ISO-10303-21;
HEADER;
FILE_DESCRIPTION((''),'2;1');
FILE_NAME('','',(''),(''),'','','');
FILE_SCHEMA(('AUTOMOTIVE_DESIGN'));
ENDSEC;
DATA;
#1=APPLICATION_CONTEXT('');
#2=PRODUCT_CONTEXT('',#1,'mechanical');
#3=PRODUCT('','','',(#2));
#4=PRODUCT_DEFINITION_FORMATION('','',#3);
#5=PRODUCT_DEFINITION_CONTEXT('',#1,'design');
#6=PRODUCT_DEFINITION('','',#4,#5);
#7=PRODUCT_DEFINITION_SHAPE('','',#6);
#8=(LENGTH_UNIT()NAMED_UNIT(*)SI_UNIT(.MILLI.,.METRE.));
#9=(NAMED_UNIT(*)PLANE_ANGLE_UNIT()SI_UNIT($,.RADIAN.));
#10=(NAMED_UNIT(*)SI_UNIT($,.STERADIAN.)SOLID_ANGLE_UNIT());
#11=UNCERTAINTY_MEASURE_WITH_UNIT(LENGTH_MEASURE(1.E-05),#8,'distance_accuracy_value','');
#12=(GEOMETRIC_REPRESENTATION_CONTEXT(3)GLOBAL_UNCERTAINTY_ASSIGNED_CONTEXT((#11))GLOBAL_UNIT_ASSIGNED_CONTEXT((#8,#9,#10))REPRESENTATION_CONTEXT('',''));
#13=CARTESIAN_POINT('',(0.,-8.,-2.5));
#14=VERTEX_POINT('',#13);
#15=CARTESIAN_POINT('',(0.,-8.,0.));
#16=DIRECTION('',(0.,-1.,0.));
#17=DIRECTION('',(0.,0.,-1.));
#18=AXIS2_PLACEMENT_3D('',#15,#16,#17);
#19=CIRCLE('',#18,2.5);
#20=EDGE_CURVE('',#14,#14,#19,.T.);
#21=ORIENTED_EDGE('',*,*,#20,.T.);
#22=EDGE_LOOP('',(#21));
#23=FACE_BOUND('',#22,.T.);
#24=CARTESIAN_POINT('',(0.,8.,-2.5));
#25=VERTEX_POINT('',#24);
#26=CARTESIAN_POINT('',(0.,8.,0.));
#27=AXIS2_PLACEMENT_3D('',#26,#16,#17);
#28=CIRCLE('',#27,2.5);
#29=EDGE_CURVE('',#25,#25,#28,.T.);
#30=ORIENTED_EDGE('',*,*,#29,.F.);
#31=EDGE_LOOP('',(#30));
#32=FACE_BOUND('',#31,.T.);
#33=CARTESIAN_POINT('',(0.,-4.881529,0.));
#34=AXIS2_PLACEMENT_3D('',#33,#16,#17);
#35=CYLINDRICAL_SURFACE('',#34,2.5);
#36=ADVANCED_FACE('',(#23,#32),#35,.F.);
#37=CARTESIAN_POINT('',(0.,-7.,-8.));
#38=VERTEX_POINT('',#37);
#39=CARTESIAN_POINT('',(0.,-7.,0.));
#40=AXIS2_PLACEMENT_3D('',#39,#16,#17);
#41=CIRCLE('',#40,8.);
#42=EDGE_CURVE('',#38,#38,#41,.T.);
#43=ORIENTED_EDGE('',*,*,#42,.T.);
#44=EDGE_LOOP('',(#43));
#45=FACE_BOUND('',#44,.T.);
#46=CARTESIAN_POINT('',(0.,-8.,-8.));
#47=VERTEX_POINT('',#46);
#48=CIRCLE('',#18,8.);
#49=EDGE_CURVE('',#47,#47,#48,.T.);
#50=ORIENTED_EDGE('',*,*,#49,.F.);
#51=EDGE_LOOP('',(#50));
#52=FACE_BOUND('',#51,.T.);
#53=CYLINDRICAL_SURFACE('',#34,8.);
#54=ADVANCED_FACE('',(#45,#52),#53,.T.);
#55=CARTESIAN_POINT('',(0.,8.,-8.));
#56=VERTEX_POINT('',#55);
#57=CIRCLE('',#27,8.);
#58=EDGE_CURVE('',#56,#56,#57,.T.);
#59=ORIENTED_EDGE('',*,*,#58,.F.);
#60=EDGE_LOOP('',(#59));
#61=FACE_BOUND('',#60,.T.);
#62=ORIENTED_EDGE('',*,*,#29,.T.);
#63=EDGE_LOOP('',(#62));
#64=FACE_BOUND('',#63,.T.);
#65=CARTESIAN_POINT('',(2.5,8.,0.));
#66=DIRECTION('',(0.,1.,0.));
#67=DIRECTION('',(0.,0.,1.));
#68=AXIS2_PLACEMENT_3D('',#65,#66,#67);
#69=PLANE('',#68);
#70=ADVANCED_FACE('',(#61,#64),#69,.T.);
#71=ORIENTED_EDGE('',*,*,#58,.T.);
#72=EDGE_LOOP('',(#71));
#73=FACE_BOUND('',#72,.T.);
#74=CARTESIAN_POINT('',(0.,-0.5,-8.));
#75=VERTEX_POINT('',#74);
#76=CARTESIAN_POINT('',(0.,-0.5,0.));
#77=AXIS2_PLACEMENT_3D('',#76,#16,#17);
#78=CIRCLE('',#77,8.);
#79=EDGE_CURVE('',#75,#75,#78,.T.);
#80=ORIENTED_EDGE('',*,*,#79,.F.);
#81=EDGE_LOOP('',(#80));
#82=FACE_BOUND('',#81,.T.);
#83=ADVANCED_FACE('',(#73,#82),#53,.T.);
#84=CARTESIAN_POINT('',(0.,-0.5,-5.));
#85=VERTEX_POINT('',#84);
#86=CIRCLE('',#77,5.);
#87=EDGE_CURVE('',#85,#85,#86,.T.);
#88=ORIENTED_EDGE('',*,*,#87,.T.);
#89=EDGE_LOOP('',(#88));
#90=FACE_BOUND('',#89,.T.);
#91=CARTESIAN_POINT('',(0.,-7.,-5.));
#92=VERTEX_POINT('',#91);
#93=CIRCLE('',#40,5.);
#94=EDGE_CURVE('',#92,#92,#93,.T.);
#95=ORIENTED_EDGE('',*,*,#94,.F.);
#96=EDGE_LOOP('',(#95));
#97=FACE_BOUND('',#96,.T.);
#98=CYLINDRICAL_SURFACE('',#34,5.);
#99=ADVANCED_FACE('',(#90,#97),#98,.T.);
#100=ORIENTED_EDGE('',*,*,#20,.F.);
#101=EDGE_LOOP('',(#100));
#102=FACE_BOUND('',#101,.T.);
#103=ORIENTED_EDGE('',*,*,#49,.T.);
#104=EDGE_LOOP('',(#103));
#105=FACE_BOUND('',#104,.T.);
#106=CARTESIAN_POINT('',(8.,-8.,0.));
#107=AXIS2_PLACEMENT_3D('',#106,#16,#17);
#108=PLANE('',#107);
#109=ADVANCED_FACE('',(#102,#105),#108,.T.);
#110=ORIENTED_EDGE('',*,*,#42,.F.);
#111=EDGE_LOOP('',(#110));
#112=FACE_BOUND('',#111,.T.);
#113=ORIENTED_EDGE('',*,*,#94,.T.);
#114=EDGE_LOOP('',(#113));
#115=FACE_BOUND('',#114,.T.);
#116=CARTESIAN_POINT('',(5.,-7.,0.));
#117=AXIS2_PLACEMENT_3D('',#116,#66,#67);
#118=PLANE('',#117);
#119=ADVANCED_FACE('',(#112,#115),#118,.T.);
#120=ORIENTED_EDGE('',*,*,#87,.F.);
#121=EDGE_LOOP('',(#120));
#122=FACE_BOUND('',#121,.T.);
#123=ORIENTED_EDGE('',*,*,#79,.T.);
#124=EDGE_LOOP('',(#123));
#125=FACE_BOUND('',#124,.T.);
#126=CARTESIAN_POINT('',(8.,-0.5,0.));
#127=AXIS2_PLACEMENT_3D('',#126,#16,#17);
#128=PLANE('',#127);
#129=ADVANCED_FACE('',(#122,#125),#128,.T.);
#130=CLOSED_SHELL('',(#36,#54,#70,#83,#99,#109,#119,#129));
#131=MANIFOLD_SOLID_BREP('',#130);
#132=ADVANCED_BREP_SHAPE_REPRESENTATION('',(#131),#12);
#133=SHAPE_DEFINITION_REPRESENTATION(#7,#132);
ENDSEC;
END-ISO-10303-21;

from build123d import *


with BuildPart() as part:
    # Sketch1 → Revolve1 (revolve)
    with BuildSketch(Plane.XY, mode=Mode.PRIVATE) as revolve1_sk:
        Polygon((2.5, -8), (2.5, 8), (8, 8), (8, -0.5), (5, -0.5), (5, -7), (8, -7), (8, -8), align=None)
    revolve(revolve1_sk.sketch.rotate(Axis((0, -4.881528906, 0), (0, 1, 0)), 90), axis=Axis((0, -4.881528906, 0), (0, 1, 0)))


solid = part.part
